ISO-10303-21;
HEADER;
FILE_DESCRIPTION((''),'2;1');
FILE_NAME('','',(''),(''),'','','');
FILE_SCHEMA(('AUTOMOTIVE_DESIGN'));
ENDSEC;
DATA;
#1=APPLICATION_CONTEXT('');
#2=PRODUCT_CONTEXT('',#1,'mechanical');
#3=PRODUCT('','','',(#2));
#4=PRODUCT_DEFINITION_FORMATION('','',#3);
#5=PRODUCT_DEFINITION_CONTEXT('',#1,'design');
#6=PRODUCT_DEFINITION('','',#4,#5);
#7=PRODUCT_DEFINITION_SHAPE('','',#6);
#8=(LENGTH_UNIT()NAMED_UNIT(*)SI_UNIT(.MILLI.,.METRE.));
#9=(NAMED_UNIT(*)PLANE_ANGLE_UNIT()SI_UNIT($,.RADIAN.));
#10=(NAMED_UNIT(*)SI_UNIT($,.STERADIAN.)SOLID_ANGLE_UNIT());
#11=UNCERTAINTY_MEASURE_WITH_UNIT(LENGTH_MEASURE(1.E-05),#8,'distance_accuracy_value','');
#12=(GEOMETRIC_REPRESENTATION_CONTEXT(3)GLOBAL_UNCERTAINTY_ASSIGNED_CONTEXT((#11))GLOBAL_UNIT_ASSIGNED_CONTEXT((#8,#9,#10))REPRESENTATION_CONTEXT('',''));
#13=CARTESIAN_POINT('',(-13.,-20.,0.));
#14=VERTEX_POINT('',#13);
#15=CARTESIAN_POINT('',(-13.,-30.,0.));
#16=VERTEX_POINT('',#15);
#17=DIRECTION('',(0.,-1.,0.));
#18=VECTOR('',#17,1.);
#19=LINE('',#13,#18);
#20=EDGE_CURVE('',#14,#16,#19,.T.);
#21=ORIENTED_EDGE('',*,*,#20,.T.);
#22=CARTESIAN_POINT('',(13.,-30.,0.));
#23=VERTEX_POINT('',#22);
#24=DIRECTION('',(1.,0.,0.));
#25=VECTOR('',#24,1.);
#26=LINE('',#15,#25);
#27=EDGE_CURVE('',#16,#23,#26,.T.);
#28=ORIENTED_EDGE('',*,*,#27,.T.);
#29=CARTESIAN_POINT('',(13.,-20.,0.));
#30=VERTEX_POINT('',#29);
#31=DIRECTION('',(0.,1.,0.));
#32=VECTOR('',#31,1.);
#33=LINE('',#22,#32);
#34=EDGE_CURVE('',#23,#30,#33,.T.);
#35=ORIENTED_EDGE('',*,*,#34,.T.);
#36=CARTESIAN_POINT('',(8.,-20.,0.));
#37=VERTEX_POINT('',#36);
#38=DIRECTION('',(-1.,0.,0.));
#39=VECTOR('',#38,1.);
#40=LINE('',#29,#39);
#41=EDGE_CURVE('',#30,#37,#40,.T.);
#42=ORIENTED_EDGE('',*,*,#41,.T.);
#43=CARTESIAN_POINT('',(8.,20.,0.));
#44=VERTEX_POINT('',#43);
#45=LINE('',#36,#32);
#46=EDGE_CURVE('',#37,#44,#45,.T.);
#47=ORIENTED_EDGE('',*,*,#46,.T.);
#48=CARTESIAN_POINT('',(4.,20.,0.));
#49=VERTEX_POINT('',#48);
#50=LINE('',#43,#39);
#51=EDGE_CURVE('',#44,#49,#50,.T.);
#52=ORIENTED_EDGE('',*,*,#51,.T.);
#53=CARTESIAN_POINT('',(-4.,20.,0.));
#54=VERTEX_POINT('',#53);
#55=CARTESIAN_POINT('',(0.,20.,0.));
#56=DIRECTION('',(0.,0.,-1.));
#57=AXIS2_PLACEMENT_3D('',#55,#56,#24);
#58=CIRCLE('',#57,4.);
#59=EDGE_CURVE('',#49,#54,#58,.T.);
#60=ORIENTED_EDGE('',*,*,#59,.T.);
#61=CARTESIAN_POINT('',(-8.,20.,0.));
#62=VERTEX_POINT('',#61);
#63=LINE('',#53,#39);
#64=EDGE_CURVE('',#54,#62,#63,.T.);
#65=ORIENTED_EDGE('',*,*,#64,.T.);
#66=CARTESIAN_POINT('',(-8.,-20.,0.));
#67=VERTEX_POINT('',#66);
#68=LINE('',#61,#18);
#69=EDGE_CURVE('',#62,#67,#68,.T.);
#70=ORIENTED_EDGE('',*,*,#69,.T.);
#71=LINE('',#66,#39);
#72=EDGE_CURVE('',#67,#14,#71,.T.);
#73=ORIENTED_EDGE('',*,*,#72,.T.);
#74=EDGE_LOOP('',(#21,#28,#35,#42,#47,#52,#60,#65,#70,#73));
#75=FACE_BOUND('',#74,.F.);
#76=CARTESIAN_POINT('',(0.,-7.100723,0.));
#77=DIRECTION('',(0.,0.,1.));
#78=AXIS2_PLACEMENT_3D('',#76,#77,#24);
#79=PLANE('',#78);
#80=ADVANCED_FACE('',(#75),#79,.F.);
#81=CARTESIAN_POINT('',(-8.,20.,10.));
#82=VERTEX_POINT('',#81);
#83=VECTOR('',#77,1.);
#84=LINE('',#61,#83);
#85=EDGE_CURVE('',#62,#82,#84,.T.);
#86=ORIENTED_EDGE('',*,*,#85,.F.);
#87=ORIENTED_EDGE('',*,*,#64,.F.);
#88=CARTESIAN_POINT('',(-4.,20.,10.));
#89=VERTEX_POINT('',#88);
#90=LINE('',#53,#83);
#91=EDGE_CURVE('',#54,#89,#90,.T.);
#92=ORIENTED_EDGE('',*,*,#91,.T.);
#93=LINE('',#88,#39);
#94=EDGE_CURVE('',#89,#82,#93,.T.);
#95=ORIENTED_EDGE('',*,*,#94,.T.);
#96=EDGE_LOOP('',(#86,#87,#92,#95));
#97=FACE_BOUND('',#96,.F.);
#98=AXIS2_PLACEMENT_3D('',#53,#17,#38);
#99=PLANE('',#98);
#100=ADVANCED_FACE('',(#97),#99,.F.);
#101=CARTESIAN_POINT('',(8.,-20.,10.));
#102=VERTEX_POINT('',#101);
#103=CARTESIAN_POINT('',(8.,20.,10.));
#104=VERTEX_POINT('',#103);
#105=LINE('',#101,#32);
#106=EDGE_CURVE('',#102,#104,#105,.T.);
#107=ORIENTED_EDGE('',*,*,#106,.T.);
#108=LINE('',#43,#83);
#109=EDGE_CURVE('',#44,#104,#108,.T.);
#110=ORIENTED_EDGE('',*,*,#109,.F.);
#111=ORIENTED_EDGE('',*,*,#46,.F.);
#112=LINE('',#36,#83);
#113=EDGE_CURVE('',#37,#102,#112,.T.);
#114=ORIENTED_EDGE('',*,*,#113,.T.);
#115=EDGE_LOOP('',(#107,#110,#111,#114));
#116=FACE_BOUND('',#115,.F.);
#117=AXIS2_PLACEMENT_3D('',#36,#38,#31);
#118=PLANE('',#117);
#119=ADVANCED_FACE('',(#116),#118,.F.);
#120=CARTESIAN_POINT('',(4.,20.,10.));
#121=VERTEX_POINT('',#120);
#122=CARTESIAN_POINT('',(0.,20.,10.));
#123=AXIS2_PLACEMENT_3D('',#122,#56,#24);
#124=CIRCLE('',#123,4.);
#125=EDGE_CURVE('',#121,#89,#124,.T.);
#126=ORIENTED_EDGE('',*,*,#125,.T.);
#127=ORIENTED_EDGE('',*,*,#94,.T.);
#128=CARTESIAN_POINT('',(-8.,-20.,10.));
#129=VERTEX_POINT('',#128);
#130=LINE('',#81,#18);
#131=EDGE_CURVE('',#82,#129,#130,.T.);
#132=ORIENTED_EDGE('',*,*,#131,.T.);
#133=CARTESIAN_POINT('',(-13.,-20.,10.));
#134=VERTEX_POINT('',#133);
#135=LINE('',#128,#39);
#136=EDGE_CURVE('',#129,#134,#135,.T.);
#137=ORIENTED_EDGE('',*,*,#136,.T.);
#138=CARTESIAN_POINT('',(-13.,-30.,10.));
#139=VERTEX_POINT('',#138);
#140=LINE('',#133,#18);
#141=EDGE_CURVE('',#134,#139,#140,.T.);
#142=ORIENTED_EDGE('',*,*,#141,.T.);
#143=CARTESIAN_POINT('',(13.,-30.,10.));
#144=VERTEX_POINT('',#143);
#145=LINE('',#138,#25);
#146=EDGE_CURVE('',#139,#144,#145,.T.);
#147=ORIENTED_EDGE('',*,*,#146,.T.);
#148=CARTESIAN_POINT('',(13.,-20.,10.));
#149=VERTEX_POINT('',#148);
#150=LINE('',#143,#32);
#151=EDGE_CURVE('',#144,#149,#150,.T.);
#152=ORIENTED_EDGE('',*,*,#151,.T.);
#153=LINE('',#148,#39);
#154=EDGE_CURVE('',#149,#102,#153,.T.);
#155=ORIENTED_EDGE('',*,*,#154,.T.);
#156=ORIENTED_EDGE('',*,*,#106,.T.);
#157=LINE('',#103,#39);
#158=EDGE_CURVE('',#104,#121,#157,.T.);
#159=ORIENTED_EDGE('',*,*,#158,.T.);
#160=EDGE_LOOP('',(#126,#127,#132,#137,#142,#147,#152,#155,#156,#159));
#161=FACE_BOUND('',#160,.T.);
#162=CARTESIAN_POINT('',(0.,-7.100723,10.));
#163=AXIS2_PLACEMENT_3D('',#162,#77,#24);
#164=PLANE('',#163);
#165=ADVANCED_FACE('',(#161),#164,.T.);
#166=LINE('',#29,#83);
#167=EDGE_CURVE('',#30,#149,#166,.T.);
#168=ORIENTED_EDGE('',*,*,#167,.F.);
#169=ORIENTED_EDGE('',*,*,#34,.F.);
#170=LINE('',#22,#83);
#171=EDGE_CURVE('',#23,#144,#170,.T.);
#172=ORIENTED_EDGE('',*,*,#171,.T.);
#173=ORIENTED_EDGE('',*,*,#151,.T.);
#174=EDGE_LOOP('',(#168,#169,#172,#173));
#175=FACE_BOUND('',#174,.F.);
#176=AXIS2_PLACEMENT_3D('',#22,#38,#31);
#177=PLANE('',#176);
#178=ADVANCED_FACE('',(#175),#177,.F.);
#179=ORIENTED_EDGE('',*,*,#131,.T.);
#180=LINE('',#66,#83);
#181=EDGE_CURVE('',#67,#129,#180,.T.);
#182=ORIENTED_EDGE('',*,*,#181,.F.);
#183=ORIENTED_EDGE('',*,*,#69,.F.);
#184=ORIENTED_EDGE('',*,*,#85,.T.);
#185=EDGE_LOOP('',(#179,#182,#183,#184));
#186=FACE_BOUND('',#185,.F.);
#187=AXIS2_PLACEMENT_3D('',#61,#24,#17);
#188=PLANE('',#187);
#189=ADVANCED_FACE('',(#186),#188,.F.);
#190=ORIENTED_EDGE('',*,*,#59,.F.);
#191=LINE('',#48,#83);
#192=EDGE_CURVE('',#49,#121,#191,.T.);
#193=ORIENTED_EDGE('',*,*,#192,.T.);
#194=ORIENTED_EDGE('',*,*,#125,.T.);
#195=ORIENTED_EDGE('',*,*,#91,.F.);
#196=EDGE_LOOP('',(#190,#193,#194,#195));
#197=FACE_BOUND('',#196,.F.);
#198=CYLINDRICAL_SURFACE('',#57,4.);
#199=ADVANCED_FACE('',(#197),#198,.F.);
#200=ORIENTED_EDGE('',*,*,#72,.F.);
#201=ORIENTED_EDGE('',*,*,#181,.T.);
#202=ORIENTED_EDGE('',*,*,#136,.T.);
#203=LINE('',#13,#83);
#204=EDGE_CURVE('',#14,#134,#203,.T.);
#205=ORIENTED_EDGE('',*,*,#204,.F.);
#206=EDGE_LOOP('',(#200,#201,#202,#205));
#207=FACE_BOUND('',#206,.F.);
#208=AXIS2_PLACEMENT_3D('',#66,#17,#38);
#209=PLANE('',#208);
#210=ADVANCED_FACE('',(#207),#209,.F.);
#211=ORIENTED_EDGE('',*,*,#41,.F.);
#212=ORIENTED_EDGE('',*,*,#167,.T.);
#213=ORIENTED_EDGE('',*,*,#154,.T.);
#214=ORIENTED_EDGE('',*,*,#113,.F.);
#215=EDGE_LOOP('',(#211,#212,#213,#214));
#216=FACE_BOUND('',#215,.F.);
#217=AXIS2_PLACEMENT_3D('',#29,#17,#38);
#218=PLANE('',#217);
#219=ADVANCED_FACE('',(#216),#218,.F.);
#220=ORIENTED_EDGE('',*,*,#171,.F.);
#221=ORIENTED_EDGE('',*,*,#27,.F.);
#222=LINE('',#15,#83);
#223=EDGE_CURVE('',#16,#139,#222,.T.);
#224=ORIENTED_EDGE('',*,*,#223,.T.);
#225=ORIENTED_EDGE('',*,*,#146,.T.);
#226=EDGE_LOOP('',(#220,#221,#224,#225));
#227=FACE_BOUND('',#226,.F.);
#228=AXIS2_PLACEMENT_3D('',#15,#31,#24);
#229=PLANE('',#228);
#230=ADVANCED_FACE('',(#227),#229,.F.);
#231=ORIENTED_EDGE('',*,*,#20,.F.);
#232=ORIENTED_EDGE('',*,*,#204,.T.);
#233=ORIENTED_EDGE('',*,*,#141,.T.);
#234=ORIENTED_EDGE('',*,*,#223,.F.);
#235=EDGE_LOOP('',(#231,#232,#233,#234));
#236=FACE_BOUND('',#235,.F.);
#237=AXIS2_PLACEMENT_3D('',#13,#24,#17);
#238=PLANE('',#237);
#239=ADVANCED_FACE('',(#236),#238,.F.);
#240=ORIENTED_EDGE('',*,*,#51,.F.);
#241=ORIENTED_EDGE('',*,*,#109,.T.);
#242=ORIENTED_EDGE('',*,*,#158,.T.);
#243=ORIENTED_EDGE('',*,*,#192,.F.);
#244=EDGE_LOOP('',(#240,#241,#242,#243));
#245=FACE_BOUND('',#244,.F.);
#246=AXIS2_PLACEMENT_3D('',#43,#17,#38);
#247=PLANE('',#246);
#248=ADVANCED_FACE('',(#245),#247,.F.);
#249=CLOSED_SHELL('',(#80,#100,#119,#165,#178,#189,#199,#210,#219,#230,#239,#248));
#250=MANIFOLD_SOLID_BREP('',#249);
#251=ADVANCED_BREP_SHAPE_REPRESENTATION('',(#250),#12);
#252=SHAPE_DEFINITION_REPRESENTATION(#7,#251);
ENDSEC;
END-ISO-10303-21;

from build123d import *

# Parameters (mm, degrees)
F1_DEPTH = 10


with BuildPart() as f1:
    # F0 (on Top) → F1 (new body)
    with BuildSketch(Plane.XY):
        with BuildLine():
            Line((8, -20), (8, 20))
            Line((8, 20), (4, 20))
            ThreePointArc((4, 20), (0, 16), (-4, 20))
            Line((-4, 20), (-8, 20))
            Line((-8, 20), (-8, -20))
            Line((-8, -20), (-13, -20))
            Line((-13, -20), (-13, -30))
            Line((-13, -30), (13, -30))
            Line((13, -30), (13, -20))
            Line((13, -20), (8, -20))
        make_face()
    extrude(amount=F1_DEPTH)


solid = f1.part
